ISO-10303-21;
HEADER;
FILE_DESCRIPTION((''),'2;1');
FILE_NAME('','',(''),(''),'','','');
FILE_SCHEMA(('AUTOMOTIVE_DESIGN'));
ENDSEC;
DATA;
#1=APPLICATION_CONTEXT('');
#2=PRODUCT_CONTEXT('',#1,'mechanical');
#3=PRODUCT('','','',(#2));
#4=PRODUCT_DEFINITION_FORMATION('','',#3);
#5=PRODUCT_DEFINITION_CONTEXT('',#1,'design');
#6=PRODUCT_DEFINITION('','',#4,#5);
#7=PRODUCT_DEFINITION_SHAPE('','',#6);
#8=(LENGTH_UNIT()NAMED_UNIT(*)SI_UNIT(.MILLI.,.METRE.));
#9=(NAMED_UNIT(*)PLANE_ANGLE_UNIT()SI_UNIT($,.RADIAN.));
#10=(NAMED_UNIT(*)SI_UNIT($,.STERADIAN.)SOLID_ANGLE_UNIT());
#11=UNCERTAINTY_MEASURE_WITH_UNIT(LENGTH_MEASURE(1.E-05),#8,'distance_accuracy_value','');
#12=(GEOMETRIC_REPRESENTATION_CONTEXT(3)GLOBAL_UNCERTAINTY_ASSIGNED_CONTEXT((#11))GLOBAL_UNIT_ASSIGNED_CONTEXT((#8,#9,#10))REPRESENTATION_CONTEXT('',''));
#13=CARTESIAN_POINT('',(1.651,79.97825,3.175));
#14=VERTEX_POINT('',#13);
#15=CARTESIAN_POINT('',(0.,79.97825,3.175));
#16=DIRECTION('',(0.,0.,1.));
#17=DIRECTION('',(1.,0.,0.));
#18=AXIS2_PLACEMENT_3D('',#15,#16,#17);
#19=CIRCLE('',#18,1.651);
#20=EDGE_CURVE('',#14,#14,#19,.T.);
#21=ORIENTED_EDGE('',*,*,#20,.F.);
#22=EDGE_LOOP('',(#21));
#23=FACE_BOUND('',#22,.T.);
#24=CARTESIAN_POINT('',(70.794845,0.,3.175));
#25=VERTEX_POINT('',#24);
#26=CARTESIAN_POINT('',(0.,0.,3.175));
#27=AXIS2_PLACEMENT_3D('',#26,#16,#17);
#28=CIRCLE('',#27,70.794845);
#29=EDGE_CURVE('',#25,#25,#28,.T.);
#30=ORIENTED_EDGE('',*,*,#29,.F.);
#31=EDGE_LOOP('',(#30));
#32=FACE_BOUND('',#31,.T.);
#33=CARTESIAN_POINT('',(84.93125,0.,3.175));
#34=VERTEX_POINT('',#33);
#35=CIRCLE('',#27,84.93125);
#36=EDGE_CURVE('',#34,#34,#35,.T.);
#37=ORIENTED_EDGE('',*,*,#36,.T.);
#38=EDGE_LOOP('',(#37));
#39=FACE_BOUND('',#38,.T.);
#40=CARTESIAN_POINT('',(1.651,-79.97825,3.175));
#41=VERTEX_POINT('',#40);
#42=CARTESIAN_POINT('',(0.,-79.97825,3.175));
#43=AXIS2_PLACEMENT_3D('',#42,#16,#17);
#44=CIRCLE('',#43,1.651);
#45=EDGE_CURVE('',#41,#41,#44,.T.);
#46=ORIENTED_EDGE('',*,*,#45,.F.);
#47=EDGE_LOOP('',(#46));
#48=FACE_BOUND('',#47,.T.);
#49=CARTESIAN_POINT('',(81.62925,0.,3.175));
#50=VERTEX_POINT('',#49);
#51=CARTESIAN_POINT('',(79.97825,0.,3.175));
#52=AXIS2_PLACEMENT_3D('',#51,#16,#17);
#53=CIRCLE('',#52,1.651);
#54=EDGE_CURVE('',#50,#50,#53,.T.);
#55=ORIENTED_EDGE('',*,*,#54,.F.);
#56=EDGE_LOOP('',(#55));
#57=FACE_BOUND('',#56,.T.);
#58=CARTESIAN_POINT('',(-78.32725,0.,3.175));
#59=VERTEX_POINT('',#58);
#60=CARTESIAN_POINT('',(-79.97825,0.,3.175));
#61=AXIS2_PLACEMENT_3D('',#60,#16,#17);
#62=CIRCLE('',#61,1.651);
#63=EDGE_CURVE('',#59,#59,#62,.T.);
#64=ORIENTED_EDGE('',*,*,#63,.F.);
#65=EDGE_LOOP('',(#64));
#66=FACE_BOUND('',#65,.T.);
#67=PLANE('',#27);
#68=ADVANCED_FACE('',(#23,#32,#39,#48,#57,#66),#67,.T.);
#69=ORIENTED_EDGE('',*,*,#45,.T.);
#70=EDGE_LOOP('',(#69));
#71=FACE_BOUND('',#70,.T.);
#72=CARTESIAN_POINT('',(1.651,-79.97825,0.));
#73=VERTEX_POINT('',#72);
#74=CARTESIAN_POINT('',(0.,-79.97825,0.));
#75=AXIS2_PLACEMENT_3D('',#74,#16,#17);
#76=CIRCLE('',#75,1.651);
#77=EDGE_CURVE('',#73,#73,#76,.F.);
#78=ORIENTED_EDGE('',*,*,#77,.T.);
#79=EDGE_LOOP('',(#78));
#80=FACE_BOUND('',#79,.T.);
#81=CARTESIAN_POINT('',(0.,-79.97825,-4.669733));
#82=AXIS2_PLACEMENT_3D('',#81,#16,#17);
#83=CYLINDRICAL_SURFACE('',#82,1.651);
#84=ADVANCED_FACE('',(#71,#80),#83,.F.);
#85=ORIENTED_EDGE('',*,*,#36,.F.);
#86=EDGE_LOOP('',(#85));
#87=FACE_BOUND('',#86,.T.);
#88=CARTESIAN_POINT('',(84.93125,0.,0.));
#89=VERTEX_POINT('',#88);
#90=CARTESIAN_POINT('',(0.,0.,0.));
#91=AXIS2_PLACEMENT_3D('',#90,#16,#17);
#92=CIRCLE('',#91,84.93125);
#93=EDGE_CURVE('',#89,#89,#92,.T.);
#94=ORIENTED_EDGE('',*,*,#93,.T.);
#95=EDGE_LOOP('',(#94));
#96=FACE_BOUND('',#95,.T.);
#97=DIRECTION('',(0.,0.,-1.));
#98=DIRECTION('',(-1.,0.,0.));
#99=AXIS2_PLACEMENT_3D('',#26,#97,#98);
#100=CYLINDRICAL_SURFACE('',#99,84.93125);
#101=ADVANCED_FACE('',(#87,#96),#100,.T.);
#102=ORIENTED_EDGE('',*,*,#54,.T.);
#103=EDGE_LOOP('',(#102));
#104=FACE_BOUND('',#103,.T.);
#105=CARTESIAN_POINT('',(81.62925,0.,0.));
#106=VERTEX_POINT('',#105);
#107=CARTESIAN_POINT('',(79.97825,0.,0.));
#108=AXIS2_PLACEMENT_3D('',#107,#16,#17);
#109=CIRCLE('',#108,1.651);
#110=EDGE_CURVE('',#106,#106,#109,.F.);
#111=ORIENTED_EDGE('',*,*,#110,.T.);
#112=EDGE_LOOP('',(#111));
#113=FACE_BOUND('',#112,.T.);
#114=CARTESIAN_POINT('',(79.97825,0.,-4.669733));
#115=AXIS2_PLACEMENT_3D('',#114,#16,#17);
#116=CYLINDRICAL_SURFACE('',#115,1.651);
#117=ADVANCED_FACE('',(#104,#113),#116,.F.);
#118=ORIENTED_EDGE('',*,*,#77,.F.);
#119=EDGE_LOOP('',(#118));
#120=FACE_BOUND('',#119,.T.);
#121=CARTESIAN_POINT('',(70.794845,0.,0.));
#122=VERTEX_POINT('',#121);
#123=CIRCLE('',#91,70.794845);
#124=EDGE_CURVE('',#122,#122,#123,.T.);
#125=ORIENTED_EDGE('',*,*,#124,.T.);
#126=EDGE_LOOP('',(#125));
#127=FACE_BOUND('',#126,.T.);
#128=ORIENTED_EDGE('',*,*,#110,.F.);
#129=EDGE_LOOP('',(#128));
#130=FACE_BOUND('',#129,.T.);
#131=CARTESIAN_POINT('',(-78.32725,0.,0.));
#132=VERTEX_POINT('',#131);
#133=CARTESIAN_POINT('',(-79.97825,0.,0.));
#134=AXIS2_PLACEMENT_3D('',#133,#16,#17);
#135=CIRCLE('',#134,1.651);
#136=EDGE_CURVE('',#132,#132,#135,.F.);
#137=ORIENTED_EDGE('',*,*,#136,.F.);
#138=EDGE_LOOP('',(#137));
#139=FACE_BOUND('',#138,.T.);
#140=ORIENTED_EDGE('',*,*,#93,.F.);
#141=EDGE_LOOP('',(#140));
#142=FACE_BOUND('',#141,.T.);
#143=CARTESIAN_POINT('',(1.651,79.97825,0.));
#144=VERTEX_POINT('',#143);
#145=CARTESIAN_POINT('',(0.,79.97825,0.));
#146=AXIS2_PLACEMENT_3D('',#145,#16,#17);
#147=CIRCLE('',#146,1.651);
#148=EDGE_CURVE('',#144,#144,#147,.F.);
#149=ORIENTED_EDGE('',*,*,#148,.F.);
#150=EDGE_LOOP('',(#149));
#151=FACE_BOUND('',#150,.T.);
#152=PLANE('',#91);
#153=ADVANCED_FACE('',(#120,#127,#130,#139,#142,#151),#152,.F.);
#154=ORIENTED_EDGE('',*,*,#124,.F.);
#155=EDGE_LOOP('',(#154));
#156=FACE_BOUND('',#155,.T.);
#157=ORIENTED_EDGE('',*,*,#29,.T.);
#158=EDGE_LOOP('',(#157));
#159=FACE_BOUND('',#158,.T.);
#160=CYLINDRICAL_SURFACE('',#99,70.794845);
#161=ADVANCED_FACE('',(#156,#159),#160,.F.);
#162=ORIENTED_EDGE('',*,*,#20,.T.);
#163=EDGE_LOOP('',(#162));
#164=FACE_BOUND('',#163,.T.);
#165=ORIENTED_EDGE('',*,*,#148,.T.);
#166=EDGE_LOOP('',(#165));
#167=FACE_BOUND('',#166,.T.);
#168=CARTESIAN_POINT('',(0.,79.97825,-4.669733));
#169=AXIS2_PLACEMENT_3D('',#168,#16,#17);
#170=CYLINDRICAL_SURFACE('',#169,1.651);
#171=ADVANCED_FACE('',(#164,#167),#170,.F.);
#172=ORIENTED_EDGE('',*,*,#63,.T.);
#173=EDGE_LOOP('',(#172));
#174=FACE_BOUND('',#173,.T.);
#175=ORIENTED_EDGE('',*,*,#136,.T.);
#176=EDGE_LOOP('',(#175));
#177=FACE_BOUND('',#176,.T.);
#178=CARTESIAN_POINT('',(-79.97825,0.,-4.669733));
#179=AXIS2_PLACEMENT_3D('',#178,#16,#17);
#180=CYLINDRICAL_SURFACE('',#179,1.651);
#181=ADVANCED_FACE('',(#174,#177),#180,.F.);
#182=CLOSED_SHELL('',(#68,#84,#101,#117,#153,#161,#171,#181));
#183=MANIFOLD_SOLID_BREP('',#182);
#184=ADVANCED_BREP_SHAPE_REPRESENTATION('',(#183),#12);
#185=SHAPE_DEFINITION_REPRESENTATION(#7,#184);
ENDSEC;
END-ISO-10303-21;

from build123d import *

# Parameters (mm, degrees)
SKETCH1_R           = 84.93125
SKETCH1_R_2         = 70.79484504
BOSS_EXTRUDE1_DEPTH = 3.175
SKETCH2_R           = 1.651
CUT_EXTRUDE1_DEPTH  = 3.175


with BuildPart() as part:
    # Sketch1 → Boss-Extrude1 (new body)
    with BuildSketch(Plane.XY):
        Circle(SKETCH1_R)
        Circle(SKETCH1_R_2, mode=Mode.SUBTRACT)
    extrude(amount=BOSS_EXTRUDE1_DEPTH)

    # Sketch2 → Cut-Extrude1 (cut)
    with BuildSketch(Plane.XY.offset(3.175)):
        with Locations((0, -79.97825)):
            Circle(SKETCH2_R)
        with Locations((-79.97825, 0)):
            Circle(SKETCH2_R)
        with Locations((0, 79.97825)):
            Circle(SKETCH2_R)
        with Locations((79.97825, 0)):
            Circle(SKETCH2_R)
    extrude(amount=-CUT_EXTRUDE1_DEPTH, mode=Mode.SUBTRACT)


solid = part.part
